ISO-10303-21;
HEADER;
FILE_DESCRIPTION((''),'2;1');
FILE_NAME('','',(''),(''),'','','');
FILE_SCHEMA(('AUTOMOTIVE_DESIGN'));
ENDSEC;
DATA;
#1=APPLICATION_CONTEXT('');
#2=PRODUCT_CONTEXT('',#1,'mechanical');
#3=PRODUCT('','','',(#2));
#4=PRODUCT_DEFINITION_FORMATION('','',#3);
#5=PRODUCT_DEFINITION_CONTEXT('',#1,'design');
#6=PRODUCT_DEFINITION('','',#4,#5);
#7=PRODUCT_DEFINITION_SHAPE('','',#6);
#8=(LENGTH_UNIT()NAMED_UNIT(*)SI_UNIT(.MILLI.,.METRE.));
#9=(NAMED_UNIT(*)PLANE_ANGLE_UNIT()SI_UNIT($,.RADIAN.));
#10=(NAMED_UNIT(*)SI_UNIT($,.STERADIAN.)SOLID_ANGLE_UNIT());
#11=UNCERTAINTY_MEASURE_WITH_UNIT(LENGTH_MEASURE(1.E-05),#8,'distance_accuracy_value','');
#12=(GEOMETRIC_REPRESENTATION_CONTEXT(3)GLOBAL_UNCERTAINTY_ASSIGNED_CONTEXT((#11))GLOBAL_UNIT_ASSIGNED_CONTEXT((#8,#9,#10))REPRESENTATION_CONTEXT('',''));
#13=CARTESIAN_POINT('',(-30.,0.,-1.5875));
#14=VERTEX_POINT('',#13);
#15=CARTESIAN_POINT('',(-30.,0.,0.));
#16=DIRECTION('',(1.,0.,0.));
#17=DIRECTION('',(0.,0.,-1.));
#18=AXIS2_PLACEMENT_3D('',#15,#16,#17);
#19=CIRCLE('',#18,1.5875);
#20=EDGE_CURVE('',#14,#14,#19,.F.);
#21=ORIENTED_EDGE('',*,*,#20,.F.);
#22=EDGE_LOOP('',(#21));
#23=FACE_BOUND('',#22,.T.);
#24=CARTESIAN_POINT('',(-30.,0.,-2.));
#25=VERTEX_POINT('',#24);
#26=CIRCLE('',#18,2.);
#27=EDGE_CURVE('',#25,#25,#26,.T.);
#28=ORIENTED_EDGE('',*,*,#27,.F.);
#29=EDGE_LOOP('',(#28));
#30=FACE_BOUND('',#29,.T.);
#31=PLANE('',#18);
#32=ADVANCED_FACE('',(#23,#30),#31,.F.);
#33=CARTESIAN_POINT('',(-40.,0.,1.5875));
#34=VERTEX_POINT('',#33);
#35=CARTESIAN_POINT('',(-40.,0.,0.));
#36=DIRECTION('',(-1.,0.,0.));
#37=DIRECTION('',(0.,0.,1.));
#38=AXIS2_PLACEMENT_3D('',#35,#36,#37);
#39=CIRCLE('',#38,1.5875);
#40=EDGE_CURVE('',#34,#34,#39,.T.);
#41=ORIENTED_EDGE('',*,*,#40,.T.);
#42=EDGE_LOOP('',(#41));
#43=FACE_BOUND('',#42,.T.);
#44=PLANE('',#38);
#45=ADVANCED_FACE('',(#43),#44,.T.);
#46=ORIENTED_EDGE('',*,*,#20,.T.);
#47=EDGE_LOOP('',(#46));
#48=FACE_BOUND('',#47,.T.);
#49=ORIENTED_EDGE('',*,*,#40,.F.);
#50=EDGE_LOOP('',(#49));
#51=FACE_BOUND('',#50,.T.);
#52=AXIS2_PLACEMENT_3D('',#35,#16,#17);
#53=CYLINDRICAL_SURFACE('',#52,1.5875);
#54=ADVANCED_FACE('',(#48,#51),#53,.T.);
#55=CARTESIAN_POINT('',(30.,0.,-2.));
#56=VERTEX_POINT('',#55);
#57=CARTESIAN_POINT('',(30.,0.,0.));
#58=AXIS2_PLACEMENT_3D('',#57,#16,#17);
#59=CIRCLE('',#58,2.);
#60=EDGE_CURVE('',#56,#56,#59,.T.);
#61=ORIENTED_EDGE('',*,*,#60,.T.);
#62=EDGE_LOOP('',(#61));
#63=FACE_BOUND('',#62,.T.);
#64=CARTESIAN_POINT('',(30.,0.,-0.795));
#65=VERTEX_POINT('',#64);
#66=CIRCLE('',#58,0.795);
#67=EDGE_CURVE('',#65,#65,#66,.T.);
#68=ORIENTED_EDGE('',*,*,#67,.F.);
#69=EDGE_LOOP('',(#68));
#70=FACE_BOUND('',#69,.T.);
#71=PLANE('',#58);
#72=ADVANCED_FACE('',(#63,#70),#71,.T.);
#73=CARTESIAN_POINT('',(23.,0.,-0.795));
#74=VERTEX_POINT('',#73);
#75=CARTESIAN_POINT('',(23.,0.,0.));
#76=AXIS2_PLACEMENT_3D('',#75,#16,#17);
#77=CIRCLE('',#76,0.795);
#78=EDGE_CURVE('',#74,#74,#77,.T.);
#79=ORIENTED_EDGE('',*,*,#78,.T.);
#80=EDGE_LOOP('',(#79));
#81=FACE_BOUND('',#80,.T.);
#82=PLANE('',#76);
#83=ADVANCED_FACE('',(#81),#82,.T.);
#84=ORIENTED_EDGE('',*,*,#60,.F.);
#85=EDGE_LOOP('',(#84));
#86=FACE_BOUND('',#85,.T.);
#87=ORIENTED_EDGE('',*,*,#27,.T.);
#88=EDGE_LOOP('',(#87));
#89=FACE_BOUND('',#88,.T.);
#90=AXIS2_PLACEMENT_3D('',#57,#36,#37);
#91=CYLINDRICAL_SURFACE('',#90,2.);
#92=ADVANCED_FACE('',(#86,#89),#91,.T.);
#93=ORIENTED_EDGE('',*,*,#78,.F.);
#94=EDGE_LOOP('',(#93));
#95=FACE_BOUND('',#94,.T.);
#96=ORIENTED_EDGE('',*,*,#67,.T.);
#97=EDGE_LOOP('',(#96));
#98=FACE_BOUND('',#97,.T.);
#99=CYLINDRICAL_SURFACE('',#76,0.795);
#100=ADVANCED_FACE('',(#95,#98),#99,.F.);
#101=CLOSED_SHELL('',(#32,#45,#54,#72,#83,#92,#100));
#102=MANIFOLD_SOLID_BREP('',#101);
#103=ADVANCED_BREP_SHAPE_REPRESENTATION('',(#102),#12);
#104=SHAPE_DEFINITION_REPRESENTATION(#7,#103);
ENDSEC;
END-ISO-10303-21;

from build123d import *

# Parameters (mm, degrees)
SKETCH1_R           = 2
BOSS_EXTRUDE1_DEPTH = 30
SKETCH2_R           = 0.795
CUT_EXTRUDE1_DEPTH  = 7
SKETCH3_R           = 1.5875
BOSS_EXTRUDE2_DEPTH = 10


with BuildPart() as part:
    # Sketch1 → Boss-Extrude1 (new, symmetric)
    with BuildSketch(Plane(origin=(0, 0, 0), x_dir=(0, 0, -1), z_dir=(1, 0, 0))):
        Circle(SKETCH1_R)
    extrude(amount=BOSS_EXTRUDE1_DEPTH, both=True)

    # Sketch2 → Cut-Extrude1 (cut)
    with BuildSketch(Plane(origin=(30, 0, 0), x_dir=(0, 0, -1), z_dir=(1, 0, 0))):
        Circle(SKETCH2_R)
    extrude(amount=-CUT_EXTRUDE1_DEPTH, mode=Mode.SUBTRACT)

    # Sketch3 → Boss-Extrude2 (add)
    with BuildSketch(Plane.ZY.offset(30)):
        with Locations(Location((0, 0, 0), (0, 0, 180))):
            Circle(SKETCH3_R)
    extrude(amount=BOSS_EXTRUDE2_DEPTH)


solid = part.part
